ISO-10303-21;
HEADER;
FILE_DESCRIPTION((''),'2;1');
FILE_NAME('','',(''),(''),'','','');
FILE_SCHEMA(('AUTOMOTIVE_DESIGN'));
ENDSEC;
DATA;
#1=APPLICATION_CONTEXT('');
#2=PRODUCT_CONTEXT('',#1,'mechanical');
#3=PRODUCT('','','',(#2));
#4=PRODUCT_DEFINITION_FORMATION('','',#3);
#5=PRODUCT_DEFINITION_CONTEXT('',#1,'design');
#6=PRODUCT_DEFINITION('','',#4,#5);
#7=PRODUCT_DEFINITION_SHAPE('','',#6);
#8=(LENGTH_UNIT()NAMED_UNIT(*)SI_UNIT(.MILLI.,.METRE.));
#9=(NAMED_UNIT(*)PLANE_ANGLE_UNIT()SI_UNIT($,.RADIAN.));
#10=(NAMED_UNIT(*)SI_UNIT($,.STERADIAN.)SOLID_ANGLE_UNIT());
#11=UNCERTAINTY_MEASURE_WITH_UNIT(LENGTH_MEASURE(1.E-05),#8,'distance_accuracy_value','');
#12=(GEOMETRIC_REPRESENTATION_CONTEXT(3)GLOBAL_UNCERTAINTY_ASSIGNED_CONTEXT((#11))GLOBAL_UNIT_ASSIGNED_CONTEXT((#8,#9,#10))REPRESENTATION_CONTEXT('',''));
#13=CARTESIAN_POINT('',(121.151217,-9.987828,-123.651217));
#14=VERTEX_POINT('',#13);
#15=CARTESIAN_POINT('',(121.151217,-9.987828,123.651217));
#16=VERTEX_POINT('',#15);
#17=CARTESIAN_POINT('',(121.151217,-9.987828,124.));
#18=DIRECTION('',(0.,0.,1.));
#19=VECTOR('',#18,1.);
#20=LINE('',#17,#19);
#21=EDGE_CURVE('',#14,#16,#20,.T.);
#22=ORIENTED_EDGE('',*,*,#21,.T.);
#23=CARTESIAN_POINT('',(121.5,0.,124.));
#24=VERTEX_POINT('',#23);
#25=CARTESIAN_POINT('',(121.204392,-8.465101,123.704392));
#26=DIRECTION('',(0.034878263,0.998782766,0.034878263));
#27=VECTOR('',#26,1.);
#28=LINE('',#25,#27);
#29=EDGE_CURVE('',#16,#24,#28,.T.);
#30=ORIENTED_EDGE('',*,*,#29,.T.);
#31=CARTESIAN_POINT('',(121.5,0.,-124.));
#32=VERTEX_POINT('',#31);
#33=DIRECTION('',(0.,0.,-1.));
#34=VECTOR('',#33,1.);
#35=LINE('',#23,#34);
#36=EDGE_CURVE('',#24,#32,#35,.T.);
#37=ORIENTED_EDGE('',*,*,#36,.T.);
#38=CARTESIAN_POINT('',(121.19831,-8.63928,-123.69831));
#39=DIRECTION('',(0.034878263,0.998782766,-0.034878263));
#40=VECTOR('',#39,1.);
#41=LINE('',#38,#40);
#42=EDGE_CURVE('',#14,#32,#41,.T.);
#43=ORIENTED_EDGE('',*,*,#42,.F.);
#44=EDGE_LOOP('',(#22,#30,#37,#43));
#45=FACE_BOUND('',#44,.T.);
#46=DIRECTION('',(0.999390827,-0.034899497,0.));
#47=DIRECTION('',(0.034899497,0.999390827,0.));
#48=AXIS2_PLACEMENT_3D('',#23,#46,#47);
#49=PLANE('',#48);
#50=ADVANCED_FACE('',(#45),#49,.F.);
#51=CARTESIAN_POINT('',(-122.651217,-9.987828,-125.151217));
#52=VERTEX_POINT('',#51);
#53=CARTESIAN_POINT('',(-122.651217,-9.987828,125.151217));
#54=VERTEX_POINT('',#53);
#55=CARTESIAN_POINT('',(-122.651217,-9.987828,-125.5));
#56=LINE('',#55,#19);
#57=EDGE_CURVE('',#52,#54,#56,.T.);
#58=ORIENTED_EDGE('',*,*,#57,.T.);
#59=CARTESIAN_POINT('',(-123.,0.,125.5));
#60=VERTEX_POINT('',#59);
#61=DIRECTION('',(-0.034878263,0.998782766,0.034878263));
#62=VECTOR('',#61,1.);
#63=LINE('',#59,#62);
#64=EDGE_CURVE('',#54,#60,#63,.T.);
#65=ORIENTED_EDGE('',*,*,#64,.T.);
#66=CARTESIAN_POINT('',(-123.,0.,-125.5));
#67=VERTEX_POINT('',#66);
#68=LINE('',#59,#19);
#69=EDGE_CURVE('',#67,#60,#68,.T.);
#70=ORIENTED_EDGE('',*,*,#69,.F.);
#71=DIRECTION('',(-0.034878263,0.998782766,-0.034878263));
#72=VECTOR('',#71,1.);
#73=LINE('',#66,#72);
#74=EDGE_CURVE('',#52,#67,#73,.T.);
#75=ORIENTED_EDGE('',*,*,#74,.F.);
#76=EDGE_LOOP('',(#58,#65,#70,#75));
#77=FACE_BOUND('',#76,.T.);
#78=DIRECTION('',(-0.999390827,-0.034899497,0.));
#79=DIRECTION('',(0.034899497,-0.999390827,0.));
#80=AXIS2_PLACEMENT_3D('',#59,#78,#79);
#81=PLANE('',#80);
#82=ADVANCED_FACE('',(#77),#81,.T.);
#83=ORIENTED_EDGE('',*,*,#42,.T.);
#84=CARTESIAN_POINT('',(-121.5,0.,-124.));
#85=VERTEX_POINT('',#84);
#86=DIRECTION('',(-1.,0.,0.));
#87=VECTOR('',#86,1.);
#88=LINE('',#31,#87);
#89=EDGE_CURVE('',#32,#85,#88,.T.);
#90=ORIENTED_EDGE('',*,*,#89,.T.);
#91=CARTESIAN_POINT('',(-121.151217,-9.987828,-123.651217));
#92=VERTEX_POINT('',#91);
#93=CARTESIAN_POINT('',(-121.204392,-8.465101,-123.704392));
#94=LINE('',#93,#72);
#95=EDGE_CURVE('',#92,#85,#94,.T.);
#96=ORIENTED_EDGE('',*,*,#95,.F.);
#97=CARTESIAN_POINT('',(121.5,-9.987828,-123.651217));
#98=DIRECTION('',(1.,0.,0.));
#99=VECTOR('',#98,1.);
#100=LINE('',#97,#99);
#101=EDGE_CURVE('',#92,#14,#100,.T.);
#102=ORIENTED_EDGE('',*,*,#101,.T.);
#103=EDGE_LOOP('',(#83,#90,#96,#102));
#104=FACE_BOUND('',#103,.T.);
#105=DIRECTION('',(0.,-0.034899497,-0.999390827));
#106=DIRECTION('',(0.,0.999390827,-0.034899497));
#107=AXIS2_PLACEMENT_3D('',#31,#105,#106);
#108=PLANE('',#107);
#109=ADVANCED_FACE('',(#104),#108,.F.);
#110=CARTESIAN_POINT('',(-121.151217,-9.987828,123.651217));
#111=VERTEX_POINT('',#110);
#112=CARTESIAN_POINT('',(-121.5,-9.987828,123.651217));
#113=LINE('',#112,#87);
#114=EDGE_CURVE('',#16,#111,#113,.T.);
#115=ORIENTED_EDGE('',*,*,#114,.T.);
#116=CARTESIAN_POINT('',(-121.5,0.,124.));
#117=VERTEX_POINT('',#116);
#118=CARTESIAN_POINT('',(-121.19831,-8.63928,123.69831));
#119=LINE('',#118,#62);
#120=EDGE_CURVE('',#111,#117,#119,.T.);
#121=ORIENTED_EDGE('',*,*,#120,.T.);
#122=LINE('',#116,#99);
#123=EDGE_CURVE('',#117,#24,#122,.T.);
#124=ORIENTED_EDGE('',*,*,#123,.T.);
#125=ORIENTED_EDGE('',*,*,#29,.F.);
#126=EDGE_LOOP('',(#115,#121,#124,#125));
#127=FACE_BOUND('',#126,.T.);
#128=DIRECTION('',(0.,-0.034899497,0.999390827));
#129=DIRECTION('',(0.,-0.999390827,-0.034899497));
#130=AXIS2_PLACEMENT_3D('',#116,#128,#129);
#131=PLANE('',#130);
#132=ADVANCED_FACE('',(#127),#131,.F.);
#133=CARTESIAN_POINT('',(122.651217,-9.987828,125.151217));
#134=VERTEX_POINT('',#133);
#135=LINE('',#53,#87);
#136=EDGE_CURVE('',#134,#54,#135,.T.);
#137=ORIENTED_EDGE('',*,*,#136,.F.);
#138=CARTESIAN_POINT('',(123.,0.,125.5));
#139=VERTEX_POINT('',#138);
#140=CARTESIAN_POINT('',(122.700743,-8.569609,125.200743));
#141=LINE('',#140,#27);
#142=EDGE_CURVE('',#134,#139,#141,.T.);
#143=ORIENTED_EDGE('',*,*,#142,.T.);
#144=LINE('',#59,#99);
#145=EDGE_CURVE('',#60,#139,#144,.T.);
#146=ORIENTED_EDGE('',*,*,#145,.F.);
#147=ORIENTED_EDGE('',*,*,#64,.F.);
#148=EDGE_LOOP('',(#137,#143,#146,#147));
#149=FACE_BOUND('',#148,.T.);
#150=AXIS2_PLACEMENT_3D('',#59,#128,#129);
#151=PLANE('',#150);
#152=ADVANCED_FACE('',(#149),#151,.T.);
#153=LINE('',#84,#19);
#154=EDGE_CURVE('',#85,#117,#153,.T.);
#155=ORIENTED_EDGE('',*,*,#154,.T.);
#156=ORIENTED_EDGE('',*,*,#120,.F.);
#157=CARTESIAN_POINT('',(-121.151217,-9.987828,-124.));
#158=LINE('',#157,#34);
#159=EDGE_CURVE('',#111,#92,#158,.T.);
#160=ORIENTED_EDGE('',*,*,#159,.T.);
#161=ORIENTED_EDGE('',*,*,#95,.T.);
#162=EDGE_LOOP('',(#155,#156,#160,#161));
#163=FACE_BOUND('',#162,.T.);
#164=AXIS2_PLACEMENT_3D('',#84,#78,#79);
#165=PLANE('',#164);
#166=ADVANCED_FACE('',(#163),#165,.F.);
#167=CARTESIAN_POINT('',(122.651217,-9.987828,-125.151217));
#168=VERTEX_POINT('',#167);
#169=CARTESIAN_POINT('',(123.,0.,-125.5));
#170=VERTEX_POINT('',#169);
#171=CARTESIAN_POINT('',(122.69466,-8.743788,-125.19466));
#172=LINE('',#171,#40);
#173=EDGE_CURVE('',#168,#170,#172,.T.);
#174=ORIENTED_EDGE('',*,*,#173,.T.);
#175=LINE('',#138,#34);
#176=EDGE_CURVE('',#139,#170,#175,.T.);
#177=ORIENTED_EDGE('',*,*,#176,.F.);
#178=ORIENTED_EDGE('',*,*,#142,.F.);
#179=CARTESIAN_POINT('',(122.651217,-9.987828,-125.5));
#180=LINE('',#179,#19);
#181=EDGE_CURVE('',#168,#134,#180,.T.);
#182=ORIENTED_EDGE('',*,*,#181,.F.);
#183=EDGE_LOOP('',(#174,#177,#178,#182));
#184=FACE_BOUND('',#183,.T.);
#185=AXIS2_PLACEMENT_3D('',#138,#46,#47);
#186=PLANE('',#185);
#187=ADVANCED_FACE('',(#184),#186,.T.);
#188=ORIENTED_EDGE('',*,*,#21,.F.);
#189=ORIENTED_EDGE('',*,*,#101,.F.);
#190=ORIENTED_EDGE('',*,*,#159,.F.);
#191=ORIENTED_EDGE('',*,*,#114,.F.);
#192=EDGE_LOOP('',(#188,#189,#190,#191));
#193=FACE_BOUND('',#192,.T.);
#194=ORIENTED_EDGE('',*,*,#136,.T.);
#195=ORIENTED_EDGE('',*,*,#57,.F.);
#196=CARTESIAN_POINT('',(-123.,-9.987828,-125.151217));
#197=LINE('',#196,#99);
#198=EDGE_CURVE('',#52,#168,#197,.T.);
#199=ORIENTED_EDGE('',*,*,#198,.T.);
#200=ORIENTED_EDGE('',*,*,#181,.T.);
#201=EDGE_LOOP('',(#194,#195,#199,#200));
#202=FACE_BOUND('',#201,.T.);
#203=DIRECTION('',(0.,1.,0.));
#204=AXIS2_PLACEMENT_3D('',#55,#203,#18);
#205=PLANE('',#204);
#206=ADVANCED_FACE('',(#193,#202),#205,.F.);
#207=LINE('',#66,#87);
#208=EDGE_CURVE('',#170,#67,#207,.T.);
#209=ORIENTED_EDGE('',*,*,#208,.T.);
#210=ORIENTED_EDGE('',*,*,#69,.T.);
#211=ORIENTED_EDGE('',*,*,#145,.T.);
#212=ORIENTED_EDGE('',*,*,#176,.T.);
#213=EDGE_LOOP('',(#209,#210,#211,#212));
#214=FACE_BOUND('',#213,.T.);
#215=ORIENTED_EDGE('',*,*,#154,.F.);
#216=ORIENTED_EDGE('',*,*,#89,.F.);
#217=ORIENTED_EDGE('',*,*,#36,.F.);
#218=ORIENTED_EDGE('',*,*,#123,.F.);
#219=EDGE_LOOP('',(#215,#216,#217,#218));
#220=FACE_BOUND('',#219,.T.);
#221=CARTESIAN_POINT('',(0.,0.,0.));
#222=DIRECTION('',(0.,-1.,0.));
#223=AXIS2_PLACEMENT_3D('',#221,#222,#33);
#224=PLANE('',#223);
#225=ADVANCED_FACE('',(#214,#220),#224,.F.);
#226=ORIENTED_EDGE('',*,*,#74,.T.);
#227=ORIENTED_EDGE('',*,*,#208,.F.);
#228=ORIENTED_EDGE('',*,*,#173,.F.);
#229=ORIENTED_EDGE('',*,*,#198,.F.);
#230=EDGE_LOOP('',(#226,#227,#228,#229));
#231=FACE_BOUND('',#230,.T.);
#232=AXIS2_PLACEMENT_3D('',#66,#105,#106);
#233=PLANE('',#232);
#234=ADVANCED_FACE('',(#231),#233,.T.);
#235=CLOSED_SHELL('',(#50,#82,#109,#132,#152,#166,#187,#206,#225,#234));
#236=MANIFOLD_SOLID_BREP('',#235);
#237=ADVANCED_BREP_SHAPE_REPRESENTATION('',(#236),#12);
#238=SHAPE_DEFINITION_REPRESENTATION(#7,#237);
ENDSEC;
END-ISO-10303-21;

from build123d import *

# Parameters (mm, degrees)
SKETCH2_W           = 246
SKETCH2_H           = 251
BOSS_EXTRUDE1_DEPTH = 10
BOSS_EXTRUDE1_DRAFT = -2
SKETCH5_W           = 243
SKETCH5_H           = 248
CUT_EXTRUDE1_DEPTH  = 177.009232712
CUT_EXTRUDE1_DRAFT  = -2
CUT_EXTRUDE2_DEPTH  = 280.607703212


with BuildPart() as part:
    # Sketch2 → Boss-Extrude1 (with draft: the straight prism first)
    with BuildSketch(Plane(origin=(0, 0, 0), x_dir=(1, 0, 0), z_dir=(0, 1, 0))):
        Rectangle(SKETCH2_W, SKETCH2_H)
    extrude(amount=-BOSS_EXTRUDE1_DEPTH)
    # Boss-Extrude1: the draft: its side faces are tilted about the plane it starts from
    boss_extrude1_sides = [part.faces().sort_by_distance(p)[0] for p in [
        (0, -5, 125.5),
        (123, -5, 0),
        (0, -5, -125.5),
        (-123, -5, 0),
    ]]
    draft(boss_extrude1_sides, Plane(origin=(0, 0, 0), x_dir=(1, 0, 0), z_dir=(0, 1, 0)), BOSS_EXTRUDE1_DRAFT)


with BuildPart() as cut_extrude1_tool:
    # Sketch5 → Cut-Extrude1 (with draft: the straight prism first)
    with BuildSketch(Plane(origin=(0, 0, 0), x_dir=(1, 0, 0), z_dir=(0, 1, 0))):
        Rectangle(SKETCH5_W, SKETCH5_H)
    extrude(amount=-CUT_EXTRUDE1_DEPTH)
    # Cut-Extrude1: the draft: its side faces are tilted about the plane it starts from
    cut_extrude1_sides = [cut_extrude1_tool.faces().sort_by_distance(p)[0] for p in [
        (121.5, -88.504616356, 0),
        (0, -88.504616356, -124),
        (-121.5, -88.504616356, 0),
        (0, -88.504616356, 124),
    ]]
    draft(cut_extrude1_sides, Plane(origin=(0, 0, 0), x_dir=(1, 0, 0), z_dir=(0, 1, 0)), CUT_EXTRUDE1_DRAFT)


with BuildPart() as part_1:
    add(part.part)

    # Cut-Extrude1: cut by cut_extrude1_tool
    add(cut_extrude1_tool.part, mode=Mode.SUBTRACT)

    # Sketch9 → Cut-Extrude2 (cut, through all, along a direction that is not the sketch's normal)
    with BuildSketch(Plane(origin=(0, -4.377218727, 125.347144154), x_dir=(1, 0, 0), z_dir=(0, -0.03489949670250105, 0.9993908270190958))):
        Polygon((-122.651217373, -5.614028847), (-122.650792305, -5.626208607), (122.650792305, -5.626208607), (122.651217373, -5.614028847), align=None)
    extrude(amount=-CUT_EXTRUDE2_DEPTH, dir=(0, 0, 1), mode=Mode.SUBTRACT)


solid = part_1.part
